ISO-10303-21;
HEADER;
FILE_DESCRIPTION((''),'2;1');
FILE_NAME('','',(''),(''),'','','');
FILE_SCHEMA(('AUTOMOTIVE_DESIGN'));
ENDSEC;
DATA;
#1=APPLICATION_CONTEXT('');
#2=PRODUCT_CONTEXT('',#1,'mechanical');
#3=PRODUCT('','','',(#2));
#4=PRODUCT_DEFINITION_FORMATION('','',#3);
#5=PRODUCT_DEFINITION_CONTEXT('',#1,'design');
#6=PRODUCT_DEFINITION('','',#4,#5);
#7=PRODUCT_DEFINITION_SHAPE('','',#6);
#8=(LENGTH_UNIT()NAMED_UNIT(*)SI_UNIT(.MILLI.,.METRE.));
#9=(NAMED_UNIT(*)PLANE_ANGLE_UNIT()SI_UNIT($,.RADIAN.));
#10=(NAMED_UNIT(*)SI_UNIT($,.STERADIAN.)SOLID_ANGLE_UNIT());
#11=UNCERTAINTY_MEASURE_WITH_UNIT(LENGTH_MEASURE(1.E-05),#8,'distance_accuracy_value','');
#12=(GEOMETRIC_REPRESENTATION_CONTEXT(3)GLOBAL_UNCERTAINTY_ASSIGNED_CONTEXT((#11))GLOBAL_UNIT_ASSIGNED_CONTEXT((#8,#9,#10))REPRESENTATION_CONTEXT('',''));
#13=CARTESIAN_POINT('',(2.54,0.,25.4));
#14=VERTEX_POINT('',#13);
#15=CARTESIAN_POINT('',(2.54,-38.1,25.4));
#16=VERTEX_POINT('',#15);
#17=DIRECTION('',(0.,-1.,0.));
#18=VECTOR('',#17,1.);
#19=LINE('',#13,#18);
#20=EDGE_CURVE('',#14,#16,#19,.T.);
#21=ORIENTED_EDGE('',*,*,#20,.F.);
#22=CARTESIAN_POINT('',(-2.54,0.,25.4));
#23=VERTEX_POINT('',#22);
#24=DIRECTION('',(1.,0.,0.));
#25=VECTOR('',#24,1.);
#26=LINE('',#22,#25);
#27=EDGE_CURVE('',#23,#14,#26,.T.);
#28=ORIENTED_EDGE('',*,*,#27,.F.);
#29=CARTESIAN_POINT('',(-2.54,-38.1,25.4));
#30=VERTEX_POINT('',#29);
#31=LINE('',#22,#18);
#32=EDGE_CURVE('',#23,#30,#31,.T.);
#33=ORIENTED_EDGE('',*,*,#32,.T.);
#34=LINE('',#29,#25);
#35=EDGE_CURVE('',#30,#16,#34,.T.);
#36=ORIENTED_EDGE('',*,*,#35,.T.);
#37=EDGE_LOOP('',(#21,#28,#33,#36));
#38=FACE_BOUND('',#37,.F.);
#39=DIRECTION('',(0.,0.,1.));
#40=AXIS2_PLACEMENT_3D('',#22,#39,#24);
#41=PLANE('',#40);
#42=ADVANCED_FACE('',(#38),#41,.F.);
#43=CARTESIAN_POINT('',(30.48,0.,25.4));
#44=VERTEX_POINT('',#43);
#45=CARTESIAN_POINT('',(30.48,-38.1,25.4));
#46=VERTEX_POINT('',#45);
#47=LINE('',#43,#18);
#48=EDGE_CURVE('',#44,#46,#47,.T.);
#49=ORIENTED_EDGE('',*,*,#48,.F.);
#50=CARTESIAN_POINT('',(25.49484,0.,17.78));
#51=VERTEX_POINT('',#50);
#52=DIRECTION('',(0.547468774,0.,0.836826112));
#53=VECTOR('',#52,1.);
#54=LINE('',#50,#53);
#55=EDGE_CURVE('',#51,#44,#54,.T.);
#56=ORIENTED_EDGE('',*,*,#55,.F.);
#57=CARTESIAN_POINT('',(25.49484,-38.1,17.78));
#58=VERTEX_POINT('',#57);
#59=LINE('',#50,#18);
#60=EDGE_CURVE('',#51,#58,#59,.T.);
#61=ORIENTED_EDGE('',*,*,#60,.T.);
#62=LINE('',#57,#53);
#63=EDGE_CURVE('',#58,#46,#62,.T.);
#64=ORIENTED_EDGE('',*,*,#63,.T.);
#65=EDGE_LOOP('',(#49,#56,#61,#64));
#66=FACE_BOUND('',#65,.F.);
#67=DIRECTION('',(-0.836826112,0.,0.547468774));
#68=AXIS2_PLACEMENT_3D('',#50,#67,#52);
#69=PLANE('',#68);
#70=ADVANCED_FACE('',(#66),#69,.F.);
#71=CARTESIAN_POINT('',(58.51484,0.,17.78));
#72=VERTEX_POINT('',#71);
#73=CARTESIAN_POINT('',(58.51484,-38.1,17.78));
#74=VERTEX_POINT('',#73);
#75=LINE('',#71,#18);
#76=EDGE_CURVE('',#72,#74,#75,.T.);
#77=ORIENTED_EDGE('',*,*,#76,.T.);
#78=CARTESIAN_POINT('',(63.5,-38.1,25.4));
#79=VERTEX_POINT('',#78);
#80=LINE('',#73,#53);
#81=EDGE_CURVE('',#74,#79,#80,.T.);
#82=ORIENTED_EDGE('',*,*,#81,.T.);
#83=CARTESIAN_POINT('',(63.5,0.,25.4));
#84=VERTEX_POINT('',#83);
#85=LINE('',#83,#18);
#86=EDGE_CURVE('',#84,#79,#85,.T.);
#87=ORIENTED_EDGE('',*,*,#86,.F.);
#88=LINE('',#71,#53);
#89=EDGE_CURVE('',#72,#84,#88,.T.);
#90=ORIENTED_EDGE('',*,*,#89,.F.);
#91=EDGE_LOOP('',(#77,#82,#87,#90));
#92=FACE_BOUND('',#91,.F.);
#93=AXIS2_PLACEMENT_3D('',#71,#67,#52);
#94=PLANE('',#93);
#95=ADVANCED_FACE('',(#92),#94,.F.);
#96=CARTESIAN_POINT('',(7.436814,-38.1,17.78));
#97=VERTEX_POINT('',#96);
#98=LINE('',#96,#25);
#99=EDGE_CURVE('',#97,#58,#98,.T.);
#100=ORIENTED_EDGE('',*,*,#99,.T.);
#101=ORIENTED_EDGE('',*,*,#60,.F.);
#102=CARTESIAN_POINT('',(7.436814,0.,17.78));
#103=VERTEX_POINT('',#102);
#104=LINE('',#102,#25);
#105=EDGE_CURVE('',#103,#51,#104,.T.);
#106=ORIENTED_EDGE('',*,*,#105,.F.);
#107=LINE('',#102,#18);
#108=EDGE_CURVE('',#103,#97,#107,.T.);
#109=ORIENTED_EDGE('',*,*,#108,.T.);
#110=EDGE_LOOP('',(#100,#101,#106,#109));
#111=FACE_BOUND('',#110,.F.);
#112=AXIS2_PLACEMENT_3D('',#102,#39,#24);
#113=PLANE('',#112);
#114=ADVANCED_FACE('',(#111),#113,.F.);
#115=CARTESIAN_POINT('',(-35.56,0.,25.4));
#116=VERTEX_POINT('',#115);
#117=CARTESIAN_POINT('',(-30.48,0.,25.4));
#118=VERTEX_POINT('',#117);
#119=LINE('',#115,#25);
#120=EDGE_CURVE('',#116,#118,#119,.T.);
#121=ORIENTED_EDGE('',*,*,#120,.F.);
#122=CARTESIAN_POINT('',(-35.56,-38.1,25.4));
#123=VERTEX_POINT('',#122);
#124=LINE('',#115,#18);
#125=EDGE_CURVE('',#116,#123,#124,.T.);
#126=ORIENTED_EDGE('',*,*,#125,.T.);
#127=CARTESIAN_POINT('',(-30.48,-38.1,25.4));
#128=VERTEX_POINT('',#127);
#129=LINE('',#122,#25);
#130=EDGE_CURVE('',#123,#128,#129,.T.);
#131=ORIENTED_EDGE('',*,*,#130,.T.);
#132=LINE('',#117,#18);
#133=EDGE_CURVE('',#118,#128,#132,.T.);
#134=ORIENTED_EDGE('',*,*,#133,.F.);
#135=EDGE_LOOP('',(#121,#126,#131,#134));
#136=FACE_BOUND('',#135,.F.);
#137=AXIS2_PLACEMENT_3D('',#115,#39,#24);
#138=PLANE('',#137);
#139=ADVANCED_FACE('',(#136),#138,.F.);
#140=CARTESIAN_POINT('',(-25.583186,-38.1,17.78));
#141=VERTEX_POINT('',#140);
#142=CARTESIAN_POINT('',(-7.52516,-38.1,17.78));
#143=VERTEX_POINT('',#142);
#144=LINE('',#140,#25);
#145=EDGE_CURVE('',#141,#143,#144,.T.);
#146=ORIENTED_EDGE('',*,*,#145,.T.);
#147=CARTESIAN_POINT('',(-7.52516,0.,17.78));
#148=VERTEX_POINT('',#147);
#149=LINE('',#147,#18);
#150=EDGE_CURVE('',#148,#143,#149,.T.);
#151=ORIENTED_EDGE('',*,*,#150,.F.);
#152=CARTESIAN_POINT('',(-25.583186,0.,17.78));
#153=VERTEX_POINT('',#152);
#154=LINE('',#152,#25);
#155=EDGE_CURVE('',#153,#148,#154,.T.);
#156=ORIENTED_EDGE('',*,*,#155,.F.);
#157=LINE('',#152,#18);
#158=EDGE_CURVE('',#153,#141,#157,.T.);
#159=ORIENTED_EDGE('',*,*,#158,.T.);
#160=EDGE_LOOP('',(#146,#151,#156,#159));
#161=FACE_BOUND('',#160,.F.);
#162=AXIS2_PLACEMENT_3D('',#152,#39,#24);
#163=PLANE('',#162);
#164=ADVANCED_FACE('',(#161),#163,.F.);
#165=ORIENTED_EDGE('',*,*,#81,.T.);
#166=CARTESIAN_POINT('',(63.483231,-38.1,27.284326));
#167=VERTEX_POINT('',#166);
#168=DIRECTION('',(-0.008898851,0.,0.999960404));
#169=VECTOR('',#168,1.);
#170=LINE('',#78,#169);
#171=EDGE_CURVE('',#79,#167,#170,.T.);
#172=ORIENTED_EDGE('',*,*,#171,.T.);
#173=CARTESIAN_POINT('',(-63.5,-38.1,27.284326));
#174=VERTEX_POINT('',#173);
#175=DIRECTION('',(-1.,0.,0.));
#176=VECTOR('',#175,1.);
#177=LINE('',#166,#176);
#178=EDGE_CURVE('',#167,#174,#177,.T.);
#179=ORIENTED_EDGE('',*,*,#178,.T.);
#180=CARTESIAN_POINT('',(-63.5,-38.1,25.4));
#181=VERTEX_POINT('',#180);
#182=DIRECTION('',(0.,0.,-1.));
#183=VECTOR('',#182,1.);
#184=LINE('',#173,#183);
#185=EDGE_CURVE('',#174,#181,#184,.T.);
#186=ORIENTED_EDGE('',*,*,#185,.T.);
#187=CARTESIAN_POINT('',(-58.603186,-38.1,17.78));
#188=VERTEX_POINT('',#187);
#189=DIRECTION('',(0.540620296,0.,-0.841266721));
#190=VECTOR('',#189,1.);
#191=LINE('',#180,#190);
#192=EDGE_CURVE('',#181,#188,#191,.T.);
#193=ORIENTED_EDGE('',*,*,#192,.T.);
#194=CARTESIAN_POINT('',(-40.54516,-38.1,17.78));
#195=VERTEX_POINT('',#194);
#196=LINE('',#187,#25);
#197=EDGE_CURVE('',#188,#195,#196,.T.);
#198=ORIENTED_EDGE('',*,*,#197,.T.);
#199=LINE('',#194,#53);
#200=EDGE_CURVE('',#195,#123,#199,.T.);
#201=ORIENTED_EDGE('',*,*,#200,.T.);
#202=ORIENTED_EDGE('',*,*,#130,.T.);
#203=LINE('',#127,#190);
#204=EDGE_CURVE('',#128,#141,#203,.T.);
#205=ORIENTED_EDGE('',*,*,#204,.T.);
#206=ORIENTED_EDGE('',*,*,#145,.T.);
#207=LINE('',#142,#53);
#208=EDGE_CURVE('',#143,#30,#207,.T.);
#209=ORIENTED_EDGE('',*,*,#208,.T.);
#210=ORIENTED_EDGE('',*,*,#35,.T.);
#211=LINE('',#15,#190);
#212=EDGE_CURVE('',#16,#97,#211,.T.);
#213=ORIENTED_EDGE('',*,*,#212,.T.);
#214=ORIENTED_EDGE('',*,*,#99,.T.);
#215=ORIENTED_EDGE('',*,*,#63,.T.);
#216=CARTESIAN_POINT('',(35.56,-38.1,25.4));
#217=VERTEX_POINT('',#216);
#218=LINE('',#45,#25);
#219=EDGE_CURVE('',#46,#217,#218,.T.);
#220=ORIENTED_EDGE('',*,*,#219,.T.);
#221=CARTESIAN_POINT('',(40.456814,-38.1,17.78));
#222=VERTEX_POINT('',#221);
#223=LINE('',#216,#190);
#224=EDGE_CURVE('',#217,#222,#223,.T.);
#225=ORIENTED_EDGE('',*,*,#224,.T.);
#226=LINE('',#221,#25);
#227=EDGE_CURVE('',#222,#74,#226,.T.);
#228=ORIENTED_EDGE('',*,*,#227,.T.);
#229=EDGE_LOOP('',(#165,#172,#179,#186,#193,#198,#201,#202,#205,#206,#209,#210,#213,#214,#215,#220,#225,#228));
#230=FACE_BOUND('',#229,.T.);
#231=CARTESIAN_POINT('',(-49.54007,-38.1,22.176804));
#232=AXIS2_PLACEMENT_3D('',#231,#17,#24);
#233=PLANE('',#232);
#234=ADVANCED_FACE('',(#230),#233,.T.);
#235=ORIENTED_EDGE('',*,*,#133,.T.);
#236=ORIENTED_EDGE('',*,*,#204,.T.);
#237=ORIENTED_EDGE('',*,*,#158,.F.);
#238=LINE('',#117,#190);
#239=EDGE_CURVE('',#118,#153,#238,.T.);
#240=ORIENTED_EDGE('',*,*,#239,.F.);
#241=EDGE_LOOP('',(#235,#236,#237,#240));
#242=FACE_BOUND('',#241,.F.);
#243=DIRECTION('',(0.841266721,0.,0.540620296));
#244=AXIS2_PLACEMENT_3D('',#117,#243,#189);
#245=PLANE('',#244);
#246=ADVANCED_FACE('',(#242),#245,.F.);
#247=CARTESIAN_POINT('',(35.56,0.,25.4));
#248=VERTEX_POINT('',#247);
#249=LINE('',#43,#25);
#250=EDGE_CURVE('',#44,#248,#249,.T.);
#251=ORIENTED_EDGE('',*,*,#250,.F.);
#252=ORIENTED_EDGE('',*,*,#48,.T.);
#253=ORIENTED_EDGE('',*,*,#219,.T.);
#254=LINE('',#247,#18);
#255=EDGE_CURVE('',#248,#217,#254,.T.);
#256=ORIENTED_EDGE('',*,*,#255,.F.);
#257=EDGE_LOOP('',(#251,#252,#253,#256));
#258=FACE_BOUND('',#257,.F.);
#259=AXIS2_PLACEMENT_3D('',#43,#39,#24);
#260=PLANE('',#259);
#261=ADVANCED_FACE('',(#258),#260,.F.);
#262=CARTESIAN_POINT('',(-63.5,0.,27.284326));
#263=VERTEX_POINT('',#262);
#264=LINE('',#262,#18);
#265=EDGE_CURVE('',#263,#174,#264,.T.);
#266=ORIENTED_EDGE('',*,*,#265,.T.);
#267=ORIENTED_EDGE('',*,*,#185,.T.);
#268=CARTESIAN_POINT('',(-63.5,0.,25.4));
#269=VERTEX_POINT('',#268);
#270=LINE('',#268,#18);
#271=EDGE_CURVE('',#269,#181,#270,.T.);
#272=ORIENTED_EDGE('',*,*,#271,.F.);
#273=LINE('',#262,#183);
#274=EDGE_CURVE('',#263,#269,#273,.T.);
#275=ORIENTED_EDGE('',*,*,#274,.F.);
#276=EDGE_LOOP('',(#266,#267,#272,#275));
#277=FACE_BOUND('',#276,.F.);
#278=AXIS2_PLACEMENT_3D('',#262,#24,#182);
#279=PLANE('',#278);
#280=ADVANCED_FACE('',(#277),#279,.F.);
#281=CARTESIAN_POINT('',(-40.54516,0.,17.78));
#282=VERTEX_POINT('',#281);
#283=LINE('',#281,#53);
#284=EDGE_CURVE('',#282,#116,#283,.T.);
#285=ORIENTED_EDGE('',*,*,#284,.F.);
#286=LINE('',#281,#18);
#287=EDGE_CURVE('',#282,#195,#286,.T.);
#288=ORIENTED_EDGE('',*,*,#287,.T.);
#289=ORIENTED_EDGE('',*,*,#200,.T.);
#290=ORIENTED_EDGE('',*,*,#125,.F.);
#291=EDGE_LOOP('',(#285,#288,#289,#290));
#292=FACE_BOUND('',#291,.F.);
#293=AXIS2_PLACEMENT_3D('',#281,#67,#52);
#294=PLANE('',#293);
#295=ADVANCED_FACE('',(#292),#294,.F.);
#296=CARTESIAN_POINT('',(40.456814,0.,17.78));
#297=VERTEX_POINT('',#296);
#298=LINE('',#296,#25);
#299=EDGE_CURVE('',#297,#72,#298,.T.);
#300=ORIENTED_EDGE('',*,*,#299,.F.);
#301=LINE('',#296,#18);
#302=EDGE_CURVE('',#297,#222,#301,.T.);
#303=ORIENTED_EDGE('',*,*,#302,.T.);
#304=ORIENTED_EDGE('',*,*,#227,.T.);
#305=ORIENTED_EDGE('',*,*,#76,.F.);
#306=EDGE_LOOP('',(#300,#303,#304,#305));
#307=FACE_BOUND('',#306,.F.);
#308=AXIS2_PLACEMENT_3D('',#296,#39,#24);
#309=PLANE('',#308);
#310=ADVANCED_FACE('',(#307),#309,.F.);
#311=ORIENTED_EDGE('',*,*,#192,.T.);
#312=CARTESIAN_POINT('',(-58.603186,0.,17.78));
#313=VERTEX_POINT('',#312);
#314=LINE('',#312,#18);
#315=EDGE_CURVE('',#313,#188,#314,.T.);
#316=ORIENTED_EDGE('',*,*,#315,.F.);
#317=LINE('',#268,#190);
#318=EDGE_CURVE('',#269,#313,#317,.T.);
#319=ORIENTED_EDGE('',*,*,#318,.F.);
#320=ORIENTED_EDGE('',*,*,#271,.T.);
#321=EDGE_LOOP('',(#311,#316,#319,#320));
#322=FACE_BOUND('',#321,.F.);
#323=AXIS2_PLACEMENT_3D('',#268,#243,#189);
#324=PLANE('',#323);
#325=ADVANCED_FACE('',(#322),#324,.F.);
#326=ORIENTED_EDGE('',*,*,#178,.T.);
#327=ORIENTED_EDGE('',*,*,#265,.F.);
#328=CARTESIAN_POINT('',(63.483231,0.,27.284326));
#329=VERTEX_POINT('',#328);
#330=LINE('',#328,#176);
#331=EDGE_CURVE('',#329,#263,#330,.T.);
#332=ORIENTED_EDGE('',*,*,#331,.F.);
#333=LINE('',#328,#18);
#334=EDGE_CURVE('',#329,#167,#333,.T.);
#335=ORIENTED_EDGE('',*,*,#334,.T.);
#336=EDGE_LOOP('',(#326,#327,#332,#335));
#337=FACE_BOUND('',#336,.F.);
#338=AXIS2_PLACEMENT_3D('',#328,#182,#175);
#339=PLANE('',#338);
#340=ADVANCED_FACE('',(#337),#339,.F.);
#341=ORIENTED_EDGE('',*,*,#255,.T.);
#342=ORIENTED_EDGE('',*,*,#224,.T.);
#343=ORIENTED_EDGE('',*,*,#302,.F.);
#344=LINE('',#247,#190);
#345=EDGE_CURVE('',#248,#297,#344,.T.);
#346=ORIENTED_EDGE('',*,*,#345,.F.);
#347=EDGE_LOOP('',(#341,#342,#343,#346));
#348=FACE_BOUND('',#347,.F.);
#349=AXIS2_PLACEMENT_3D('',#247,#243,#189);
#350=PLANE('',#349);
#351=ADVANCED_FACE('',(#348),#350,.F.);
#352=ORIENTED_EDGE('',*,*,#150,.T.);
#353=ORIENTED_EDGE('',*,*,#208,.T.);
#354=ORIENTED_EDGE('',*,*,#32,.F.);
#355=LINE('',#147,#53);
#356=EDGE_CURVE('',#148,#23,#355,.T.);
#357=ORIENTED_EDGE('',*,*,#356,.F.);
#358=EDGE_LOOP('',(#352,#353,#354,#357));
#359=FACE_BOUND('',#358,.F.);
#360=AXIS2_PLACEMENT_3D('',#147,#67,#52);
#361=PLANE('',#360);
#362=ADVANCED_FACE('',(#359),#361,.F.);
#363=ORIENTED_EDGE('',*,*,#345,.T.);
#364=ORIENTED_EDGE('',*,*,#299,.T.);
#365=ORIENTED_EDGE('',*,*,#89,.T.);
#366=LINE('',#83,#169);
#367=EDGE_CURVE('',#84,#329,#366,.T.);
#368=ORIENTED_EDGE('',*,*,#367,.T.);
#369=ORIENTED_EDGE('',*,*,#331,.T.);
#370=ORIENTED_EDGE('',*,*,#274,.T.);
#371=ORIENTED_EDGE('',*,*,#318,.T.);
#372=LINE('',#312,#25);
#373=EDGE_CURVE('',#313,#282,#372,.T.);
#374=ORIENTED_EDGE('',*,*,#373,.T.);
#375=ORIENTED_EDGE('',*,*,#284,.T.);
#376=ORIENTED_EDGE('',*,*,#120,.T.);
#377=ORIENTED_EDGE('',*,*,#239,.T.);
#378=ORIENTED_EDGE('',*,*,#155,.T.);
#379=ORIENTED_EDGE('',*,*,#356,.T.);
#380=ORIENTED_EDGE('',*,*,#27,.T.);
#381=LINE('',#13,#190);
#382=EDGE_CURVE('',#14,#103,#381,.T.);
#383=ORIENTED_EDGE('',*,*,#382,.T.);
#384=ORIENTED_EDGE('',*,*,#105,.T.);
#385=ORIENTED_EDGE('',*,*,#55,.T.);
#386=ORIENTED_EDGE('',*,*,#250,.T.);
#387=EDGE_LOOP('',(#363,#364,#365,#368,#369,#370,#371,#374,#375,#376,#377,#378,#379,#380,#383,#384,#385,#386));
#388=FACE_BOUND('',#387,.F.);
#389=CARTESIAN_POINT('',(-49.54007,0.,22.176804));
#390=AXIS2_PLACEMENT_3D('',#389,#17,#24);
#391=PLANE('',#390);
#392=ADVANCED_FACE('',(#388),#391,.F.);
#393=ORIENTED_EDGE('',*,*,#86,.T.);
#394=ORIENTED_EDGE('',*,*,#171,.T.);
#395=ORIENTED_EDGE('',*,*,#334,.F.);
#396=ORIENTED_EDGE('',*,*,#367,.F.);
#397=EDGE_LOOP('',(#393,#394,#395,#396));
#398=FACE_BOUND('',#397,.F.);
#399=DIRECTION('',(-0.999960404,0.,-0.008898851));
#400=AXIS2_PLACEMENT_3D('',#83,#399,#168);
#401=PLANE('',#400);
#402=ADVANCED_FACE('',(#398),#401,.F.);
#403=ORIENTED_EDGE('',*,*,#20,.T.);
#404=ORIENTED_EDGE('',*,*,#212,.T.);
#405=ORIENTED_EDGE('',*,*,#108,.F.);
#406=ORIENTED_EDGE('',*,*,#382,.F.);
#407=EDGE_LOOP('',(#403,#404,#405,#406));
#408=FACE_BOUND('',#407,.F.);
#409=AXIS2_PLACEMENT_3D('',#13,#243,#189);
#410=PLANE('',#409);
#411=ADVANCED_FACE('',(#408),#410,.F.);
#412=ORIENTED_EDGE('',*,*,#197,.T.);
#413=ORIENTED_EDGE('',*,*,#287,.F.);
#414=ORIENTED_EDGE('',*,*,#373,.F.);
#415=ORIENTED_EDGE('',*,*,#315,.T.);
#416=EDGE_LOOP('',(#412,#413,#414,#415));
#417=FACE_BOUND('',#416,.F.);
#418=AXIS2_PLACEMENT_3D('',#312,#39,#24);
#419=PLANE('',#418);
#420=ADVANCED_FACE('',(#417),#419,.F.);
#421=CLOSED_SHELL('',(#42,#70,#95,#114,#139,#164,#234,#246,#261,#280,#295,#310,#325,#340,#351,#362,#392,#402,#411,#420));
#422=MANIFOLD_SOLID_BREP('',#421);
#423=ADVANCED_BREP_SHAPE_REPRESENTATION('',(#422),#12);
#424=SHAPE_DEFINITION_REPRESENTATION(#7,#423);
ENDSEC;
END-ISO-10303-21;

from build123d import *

# Parameters (mm, degrees)
F1_DEPTH = 38.1


with BuildPart() as f1:
    # F0 (on Front) → F1 (new body)
    with BuildSketch(Plane.XZ):
        Polygon((-35.56, 25.4), (-63.5, 25.4), (-58.603186, 17.78), (-40.54516, 17.78), align=None)
        Polygon((-2.54, 25.4), (-30.48, 25.4), (-25.583186, 17.78), (-7.52516, 17.78), align=None)
        Polygon((30.48, 25.4), (2.54, 25.4), (7.436814, 17.78), (25.49484, 17.78), align=None)
        Polygon((58.51484, 17.78), (63.5, 25.4), (35.56, 25.4), (40.456814, 17.78), align=None)
        Polygon((-63.5, 27.284326), (-63.5, 25.4), (-35.56, 25.4), (-30.48, 25.4), (-2.54, 25.4), (2.54, 25.4), (30.48, 25.4), (35.56, 25.4), (63.5, 25.4), (63.483231, 27.284326), align=None)
    extrude(amount=F1_DEPTH)


solid = f1.part
